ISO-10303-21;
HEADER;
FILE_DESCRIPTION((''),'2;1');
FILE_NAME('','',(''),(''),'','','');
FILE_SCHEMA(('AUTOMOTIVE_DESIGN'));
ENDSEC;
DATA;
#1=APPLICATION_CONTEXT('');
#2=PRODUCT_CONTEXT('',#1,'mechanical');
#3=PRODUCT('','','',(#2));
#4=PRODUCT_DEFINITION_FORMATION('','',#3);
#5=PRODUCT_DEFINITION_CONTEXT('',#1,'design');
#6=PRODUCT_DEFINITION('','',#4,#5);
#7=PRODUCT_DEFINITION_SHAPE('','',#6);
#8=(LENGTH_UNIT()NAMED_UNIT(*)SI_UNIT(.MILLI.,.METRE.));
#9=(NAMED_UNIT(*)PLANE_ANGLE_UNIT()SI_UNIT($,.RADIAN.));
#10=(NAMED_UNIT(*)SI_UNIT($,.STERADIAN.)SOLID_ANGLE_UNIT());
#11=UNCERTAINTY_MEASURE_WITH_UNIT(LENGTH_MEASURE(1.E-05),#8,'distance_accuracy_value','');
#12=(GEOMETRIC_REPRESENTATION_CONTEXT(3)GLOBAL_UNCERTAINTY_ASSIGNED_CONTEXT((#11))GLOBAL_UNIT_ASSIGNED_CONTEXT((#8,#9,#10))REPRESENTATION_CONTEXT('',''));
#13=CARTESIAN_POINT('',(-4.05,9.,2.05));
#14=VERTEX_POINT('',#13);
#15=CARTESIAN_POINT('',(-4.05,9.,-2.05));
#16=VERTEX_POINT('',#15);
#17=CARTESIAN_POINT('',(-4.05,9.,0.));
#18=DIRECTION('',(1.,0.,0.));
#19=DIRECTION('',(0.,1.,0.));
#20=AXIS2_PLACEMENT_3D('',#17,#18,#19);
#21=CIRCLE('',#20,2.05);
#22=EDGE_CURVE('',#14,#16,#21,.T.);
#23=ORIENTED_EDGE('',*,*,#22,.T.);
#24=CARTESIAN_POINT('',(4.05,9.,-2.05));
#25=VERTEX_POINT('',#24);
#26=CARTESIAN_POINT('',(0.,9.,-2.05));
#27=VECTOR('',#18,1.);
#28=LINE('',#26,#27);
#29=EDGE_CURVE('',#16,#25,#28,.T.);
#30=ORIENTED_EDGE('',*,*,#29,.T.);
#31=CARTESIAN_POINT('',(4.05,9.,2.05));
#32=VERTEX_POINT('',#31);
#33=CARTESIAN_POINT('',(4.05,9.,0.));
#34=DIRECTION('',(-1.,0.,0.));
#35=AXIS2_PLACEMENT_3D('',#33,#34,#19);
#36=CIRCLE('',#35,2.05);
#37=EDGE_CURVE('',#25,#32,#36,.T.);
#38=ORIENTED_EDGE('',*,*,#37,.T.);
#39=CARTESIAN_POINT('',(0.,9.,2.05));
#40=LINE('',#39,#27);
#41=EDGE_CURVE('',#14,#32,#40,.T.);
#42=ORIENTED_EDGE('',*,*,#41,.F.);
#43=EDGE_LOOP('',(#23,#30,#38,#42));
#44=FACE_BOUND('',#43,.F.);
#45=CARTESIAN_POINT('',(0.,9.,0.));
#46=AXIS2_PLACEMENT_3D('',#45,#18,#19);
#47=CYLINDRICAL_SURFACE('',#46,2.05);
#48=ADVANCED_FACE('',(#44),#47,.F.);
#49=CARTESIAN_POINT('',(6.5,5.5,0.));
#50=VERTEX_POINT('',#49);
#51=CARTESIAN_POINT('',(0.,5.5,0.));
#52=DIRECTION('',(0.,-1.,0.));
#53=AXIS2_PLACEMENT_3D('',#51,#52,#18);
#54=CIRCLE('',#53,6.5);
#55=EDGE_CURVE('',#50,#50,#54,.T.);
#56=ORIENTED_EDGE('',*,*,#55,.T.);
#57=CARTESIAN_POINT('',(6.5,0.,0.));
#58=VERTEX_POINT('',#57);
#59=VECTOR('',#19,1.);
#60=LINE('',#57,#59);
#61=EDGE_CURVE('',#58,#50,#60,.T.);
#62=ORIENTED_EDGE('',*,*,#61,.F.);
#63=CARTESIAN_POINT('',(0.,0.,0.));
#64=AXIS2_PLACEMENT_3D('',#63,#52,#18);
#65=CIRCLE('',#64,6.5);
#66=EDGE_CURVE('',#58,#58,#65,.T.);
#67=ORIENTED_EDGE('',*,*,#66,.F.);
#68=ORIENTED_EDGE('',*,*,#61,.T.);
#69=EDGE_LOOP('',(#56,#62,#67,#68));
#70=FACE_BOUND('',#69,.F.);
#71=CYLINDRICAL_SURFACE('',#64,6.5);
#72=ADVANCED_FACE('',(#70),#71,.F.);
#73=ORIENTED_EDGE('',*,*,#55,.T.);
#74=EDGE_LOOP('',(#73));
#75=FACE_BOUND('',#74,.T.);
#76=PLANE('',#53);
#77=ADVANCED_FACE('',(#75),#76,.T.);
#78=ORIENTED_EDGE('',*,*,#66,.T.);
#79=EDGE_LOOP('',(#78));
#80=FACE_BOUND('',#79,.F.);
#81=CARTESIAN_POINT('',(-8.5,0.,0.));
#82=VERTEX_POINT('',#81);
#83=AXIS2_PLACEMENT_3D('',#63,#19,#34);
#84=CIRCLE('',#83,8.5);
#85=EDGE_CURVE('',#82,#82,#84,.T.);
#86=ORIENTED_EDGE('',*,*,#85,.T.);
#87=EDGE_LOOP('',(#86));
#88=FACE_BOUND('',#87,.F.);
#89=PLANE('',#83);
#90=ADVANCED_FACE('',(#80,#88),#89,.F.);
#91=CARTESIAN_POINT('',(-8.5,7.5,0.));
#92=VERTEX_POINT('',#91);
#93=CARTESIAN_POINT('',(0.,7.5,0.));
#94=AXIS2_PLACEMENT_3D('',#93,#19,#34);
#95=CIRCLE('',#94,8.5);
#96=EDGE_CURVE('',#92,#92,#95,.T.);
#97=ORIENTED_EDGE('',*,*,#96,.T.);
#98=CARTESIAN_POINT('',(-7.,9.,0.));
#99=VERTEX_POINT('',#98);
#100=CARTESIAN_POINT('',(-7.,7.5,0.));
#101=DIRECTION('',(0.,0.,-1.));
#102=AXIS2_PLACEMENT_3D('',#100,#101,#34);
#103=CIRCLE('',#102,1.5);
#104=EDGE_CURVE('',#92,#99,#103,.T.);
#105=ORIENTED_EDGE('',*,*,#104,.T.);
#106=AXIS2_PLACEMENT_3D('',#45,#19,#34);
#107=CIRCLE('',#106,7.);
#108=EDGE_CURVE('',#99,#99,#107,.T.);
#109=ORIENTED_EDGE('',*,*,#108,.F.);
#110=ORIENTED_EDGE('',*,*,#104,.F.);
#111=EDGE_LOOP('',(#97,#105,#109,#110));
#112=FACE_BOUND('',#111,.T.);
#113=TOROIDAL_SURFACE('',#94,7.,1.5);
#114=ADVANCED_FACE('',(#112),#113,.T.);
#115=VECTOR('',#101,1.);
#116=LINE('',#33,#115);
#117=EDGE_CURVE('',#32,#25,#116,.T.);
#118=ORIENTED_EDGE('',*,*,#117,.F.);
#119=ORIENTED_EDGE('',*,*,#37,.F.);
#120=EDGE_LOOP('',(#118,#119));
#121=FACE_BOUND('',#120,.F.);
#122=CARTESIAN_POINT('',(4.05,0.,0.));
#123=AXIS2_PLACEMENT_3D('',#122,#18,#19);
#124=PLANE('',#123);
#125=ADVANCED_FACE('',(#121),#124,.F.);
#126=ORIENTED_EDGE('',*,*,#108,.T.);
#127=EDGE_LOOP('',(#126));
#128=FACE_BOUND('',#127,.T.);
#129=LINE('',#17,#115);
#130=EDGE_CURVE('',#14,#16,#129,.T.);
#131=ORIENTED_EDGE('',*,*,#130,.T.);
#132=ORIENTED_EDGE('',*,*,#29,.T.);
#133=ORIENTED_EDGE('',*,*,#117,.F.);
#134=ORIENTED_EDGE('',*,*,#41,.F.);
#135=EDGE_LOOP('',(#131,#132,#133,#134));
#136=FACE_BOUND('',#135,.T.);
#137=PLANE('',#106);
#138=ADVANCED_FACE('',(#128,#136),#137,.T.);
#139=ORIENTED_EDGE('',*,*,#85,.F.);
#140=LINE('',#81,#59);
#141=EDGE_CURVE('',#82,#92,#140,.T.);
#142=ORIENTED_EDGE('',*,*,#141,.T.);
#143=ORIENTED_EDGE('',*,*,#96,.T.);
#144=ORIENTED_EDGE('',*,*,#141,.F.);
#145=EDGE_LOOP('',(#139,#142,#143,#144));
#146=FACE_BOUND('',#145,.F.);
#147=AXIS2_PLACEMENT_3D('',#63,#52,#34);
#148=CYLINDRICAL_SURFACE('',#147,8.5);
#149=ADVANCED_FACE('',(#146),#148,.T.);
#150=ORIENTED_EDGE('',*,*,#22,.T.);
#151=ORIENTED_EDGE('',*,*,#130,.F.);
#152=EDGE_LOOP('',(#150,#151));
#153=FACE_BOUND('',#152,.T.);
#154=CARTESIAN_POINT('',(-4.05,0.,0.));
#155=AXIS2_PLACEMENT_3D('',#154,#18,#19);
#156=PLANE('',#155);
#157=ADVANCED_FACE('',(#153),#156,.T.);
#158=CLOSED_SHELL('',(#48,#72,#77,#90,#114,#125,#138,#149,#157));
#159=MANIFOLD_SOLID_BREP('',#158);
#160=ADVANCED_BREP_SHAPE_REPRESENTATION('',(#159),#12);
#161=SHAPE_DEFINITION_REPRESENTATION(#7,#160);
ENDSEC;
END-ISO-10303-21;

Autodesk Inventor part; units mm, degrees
ref_plane "YZ Plane" through (0, 0, 0) normal (1, 0, 0) x (0, 1, 0)
ref_plane "XZ Plane" through (0, 0, 0) normal (0, 1, 0) x (-1, 0, 0)
ref_plane "XY Plane" through (0, 0, 0) normal (0, 0, 1) x (1, 0, 0)
sketch "Sketch1" plane through (0, 0, 0) normal (0, 1, 0) x (-1, 0, 0)
  circle A0 centre (0, 0) radius 8.5
  dimension "d1" = 17
extrude "Extrusion1" add sketch "Sketch1" along normal blind 9
sketch "Sketch2" plane through (0, 0, 0) normal (0, -1, 0) x (1, 0, 0)
  circle A0 centre (0, 0) radius 6.5
  dimension "d4" = 13
extrude "Extrusion2" cut sketch "Sketch2" against normal blind 5.5
sketch "Sketch4" plane through (0, 0, 0) normal (1, 0, 0) x (0, 1, 0)
  line L0 (9, -8.5) -> (9, 8.5) projected
  circle A0 centre (9, 0) radius 2.05
  point P0 (0, 0)
  dimension "d7" = 4.1
extrude "Extrusion3" cut sketch "Sketch4" along normal mid plane 8.1
fillet "Fillet1" radius 1.5 1 edges at (8.5, 9, 0)
properties part number "magnet_holder"
